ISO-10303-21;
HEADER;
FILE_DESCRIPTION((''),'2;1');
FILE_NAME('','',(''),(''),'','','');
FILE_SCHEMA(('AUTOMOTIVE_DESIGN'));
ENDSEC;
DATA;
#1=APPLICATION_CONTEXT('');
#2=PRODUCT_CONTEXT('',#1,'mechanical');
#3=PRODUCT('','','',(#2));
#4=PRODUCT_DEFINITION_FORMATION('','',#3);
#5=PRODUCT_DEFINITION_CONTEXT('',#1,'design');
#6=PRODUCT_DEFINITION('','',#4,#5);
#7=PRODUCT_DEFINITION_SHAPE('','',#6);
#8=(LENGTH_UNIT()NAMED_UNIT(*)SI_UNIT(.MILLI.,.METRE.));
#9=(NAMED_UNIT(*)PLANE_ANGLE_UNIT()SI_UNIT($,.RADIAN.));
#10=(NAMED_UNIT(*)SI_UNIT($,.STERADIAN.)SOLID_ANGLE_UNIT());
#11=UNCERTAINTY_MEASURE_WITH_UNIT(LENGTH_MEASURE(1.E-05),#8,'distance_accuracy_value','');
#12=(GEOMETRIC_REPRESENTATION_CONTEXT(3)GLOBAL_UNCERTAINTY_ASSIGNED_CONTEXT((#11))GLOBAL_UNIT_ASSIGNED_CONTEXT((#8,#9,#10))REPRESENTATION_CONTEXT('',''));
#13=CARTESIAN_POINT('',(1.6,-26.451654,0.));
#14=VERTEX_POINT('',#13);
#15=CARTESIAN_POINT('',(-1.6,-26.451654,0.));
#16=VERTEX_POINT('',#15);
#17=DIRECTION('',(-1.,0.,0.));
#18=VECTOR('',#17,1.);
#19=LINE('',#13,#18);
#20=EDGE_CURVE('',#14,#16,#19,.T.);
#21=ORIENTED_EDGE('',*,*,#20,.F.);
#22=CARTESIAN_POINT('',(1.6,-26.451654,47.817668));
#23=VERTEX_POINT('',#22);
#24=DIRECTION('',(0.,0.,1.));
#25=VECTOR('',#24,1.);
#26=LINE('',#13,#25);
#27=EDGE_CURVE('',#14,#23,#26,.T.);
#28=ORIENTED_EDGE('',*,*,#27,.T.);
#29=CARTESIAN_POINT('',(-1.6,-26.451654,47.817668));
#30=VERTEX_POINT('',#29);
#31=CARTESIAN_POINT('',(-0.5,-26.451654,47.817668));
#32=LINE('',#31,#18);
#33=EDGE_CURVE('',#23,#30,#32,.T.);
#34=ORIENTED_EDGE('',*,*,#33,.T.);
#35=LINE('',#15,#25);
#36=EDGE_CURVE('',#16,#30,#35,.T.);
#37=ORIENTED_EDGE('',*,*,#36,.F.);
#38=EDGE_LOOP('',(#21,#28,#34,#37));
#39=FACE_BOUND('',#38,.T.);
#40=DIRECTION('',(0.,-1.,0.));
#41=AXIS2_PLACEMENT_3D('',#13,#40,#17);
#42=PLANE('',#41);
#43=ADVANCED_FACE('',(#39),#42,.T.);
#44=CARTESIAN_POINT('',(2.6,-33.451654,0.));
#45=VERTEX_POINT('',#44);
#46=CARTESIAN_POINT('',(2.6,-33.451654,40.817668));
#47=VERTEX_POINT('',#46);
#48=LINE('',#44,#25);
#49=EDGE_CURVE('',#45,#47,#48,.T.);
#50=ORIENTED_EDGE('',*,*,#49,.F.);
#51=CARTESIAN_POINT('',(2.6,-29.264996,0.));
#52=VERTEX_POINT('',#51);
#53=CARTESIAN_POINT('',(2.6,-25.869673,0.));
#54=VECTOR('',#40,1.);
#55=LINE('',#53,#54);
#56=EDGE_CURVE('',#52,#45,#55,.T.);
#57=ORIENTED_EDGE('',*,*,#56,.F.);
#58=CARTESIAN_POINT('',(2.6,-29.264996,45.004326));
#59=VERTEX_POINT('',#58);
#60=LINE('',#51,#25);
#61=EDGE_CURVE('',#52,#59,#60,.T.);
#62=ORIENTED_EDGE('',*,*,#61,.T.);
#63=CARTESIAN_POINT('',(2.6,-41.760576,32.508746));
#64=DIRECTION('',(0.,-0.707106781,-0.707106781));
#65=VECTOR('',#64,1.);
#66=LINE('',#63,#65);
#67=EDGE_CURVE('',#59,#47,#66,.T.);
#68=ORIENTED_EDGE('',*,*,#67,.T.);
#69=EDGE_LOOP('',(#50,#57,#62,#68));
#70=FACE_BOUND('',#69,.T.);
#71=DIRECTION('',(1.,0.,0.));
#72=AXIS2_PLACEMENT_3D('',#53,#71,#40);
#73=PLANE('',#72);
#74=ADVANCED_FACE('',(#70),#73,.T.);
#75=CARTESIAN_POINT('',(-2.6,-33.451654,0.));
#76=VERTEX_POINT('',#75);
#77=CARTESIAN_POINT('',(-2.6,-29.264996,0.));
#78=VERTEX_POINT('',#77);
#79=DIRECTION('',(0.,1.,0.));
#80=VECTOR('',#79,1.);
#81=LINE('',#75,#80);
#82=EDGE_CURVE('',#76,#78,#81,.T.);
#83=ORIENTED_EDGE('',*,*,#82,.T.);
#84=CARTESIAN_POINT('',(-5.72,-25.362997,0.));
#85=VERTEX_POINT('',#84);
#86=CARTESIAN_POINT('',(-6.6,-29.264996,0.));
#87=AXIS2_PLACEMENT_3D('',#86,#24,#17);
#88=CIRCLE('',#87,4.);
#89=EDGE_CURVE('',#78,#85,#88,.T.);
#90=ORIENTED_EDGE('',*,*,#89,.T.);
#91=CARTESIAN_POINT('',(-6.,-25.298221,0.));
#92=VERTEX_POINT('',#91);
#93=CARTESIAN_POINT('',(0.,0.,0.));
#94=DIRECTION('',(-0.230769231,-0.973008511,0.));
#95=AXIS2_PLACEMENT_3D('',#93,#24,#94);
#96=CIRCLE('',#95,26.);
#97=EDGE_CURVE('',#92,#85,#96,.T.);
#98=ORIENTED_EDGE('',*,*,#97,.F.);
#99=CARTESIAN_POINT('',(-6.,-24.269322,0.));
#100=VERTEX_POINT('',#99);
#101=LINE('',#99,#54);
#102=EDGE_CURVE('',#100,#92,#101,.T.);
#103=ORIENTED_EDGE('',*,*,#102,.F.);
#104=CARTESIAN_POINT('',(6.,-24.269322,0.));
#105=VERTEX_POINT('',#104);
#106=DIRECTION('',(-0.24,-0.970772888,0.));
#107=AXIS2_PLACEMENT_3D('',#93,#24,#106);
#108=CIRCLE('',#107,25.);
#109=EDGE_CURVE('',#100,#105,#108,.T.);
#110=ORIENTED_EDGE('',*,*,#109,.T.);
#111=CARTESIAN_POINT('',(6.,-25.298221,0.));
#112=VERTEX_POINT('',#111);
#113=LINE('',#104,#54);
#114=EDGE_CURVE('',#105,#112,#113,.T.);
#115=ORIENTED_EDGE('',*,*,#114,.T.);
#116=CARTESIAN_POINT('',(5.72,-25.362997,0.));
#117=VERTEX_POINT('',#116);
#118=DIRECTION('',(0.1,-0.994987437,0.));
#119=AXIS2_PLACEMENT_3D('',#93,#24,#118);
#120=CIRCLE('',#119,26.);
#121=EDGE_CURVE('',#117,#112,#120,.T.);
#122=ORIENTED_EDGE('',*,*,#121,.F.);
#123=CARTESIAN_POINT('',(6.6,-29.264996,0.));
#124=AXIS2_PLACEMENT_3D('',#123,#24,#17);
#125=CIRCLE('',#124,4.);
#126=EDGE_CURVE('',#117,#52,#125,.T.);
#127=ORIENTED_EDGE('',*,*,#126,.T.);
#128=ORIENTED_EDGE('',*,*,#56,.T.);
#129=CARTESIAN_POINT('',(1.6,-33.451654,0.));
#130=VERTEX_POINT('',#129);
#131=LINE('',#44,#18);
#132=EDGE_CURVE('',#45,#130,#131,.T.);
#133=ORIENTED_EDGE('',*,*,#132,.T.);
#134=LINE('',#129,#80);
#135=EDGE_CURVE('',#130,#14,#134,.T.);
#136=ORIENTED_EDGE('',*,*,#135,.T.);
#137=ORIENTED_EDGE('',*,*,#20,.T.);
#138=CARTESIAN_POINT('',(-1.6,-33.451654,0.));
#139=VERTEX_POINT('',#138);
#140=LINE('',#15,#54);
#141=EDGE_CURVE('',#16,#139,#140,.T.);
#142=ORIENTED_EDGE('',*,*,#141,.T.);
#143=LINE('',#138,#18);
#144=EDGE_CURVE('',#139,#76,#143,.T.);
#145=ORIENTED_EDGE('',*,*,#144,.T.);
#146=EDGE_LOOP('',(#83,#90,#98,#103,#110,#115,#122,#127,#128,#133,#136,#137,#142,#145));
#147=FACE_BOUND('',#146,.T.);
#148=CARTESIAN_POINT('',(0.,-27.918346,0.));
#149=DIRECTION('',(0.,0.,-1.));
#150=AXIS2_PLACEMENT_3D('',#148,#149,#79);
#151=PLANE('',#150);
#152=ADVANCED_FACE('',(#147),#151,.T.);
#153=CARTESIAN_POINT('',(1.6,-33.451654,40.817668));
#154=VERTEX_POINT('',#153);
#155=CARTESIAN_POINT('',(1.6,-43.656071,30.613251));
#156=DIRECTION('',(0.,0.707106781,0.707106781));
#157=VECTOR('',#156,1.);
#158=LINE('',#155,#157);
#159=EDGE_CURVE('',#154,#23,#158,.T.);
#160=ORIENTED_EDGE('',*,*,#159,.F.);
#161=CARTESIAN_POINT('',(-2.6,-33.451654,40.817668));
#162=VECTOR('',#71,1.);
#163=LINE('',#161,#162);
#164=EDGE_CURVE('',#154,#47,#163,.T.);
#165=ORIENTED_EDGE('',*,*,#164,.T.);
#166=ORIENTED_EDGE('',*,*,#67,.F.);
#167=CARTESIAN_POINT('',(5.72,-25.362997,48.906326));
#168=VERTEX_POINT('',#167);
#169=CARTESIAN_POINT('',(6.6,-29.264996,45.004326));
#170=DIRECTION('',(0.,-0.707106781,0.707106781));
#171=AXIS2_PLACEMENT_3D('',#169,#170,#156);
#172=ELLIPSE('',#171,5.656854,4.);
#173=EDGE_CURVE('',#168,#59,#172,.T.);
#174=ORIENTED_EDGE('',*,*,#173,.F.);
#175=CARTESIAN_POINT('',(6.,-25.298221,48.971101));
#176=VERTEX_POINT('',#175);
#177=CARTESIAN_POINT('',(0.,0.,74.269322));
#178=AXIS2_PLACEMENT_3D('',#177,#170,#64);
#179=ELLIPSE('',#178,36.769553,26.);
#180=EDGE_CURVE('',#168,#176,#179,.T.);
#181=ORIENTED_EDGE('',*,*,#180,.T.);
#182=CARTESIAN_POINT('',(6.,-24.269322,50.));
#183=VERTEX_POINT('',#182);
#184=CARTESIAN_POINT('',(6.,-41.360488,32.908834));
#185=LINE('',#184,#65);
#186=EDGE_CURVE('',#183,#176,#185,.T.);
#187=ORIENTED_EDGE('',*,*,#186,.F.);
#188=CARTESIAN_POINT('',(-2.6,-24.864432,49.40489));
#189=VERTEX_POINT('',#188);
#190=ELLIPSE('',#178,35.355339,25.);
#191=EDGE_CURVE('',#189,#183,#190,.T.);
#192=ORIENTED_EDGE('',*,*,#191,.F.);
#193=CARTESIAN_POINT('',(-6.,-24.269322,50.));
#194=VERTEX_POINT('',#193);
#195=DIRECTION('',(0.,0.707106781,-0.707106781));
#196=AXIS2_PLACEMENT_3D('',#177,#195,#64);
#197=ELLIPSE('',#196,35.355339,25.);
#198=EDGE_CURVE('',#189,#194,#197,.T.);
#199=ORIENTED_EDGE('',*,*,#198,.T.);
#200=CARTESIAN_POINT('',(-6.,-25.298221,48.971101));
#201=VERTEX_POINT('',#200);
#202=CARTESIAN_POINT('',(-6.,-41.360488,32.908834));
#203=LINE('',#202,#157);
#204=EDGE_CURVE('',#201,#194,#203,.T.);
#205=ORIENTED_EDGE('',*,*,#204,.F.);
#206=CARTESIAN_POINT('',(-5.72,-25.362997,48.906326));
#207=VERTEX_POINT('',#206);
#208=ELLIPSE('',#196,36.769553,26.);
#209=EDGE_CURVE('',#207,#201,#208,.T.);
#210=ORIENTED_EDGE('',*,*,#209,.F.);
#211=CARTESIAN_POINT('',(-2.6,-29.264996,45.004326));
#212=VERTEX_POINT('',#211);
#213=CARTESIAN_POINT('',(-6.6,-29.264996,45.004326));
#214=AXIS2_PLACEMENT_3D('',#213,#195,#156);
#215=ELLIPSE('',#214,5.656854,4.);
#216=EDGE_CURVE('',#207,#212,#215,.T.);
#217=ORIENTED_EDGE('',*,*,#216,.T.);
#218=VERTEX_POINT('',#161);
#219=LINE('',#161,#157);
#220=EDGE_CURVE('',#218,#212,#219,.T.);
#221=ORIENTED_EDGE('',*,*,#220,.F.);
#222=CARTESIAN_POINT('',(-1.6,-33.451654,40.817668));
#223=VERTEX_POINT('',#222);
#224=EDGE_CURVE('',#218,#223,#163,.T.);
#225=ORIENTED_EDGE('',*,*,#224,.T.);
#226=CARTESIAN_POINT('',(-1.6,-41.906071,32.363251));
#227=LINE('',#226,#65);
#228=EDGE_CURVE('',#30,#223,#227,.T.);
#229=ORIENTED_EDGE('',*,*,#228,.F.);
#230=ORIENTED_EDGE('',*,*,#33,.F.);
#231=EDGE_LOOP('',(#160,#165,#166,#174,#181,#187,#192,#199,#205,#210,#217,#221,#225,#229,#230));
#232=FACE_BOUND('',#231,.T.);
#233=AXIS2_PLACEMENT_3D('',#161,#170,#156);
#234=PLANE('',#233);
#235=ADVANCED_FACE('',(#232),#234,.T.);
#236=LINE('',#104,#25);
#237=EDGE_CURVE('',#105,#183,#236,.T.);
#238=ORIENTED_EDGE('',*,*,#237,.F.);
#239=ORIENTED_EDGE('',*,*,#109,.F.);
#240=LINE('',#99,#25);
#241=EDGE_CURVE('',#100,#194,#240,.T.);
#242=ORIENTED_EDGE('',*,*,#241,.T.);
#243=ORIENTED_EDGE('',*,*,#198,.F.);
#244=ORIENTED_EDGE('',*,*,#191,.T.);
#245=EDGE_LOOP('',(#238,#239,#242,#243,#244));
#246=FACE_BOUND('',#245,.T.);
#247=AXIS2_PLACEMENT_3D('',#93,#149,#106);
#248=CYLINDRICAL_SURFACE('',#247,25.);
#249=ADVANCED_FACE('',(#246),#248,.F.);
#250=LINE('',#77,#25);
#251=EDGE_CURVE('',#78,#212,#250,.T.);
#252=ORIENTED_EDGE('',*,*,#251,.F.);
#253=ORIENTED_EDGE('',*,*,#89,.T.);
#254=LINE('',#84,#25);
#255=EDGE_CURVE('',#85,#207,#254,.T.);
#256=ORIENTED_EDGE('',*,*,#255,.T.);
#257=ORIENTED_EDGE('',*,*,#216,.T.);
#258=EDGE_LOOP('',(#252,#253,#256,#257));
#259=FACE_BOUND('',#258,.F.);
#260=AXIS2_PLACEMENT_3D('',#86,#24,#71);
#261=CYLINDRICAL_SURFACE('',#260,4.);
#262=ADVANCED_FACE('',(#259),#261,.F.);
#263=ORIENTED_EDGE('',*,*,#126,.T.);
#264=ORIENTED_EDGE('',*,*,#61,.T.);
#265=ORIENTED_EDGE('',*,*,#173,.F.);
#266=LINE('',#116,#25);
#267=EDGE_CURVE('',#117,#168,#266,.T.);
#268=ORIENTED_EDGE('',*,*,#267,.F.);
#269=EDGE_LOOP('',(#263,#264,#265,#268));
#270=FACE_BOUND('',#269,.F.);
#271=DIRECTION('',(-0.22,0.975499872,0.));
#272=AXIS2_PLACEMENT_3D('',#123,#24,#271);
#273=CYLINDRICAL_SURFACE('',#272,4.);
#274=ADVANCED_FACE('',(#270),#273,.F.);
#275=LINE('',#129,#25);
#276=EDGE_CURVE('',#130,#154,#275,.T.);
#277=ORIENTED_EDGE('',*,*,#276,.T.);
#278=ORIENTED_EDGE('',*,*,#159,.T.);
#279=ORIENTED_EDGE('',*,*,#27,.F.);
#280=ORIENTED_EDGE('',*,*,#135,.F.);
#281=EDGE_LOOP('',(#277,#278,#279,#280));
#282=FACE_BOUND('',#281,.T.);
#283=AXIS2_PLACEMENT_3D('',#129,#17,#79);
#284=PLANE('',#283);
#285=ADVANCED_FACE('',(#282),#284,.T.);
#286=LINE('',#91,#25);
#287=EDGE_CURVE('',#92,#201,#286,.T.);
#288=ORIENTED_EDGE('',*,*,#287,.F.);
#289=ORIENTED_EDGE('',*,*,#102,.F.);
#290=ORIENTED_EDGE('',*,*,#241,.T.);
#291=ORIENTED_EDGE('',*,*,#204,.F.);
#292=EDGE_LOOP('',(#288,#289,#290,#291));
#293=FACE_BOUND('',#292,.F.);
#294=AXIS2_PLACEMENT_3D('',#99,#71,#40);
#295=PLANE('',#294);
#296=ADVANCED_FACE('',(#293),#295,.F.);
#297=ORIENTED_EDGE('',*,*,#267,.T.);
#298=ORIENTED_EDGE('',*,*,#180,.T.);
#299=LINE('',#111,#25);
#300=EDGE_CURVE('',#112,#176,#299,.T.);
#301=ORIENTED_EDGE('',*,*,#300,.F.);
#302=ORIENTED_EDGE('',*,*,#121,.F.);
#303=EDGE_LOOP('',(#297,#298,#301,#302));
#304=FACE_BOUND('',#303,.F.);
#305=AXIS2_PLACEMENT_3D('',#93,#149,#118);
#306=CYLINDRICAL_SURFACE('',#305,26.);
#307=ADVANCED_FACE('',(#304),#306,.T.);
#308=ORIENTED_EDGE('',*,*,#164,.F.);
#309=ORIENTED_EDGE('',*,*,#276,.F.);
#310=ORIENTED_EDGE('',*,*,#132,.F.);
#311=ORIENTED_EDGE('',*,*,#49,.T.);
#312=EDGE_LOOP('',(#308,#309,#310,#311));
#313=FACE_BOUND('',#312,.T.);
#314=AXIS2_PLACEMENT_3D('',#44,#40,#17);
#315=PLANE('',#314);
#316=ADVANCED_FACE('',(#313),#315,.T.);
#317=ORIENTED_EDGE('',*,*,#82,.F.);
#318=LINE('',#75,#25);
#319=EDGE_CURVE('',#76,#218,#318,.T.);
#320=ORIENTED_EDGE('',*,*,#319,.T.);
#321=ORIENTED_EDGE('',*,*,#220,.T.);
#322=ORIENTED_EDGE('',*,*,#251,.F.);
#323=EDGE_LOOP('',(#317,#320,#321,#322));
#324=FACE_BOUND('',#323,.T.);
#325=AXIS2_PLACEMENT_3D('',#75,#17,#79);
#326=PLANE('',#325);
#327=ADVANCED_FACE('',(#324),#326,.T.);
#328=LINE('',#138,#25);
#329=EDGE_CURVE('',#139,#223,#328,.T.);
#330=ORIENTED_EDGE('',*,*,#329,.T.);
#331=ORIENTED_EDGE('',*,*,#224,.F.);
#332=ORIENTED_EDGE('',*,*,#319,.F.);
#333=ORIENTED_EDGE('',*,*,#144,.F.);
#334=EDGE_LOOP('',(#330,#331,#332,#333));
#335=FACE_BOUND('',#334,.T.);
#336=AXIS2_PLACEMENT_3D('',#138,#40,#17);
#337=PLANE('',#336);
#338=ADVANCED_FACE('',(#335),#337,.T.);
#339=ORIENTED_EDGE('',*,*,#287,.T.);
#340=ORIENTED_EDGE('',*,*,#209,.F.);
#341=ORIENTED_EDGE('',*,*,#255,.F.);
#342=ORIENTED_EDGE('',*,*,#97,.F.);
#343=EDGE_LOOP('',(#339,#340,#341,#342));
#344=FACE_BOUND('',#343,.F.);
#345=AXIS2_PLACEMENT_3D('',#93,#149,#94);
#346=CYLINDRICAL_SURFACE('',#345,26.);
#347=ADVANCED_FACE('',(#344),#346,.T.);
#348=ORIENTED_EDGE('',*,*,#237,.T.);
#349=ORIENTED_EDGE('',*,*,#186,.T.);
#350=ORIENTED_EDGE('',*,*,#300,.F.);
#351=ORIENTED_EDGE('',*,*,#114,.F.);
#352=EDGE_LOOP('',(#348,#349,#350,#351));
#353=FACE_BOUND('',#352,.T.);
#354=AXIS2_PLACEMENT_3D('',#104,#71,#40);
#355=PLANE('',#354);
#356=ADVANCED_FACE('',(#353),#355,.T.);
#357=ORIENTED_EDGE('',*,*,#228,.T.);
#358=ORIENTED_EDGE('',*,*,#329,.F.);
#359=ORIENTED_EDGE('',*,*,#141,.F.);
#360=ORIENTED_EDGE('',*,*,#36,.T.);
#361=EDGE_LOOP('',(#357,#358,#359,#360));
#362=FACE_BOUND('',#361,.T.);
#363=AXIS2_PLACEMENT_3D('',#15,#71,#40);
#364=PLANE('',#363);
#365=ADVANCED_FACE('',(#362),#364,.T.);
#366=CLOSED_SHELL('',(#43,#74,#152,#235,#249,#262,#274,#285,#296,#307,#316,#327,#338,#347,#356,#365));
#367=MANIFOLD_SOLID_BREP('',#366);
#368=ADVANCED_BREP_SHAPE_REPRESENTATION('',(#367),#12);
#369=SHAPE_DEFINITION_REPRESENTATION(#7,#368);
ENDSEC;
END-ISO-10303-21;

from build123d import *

# Parameters (mm, degrees)
PAD004_DEPTH            = 50
FILLET003_R             = 4
POCKET003_DEPTH         = 8.601
POCKET003_DEPTH_BACK    = 3.401
BODY005_PLACEMENT_ANGLE = 90


with BuildPart() as part:
    # Sketch008 → Pad004 (new body)
    with BuildSketch(Plane.XY):
        with BuildLine():
            ThreePointArc((24.269322199, -6), (25, 0), (24.269322199, 6))
            Line((24.269322199, 6), (25.2982212813, 6))
            ThreePointArc((25.8696733648, 2.6), (25.6403658443, 4.3094824946), (25.2982212813, 6))
            Line((25.8696733648, 2.6), (33.4516540126, 2.6))
            Line((33.4516540126, 2.6), (33.4516540126, 1.6))
            Line((33.4516540126, 1.6), (26.4516540126, 1.6))
            Line((26.4516540126, 1.6), (26.4516540126, -1.6))
            Line((26.4516540126, -1.6), (33.4516540126, -1.6))
            Line((33.4516540126, -1.6), (33.4516540126, -2.6))
            Line((33.4516540126, -2.6), (25.8696733648, -2.6))
            ThreePointArc((25.2982212813, -6), (25.6403658443, -4.3094824946), (25.8696733648, -2.6))
            Line((24.269322199, -6), (25.2982212813, -6))
        make_face()
    extrude(amount=PAD004_DEPTH)

    # Fillet003
    fillet003_edges = [part.edges().sort_by_distance(p)[0] for p in [
        (25.869673, -2.6, 25),
        (25.869673, 2.6, 25),
    ]]
    fillet(fillet003_edges, radius=FILLET003_R)

    # Sketch009 (on Face15 of Fillet003) → Pocket003 (cut, two sides)
    with BuildSketch(Plane.XZ.offset(2.6)) as pocket003_sk:
        Polygon((33.4516540126, 50), (33.4516540126, 40.8176681865), (24.269322199, 50), align=None)
    extrude(amount=-POCKET003_DEPTH, mode=Mode.SUBTRACT)
    extrude(pocket003_sk.sketch, amount=POCKET003_DEPTH_BACK, mode=Mode.SUBTRACT)


with BuildPart() as part_1:
    # Body005 placement: moved
    add(part.part.rotate(Axis((0, 0, 0), (0, 0, -1)), BODY005_PLACEMENT_ANGLE))


solid = part_1.part
